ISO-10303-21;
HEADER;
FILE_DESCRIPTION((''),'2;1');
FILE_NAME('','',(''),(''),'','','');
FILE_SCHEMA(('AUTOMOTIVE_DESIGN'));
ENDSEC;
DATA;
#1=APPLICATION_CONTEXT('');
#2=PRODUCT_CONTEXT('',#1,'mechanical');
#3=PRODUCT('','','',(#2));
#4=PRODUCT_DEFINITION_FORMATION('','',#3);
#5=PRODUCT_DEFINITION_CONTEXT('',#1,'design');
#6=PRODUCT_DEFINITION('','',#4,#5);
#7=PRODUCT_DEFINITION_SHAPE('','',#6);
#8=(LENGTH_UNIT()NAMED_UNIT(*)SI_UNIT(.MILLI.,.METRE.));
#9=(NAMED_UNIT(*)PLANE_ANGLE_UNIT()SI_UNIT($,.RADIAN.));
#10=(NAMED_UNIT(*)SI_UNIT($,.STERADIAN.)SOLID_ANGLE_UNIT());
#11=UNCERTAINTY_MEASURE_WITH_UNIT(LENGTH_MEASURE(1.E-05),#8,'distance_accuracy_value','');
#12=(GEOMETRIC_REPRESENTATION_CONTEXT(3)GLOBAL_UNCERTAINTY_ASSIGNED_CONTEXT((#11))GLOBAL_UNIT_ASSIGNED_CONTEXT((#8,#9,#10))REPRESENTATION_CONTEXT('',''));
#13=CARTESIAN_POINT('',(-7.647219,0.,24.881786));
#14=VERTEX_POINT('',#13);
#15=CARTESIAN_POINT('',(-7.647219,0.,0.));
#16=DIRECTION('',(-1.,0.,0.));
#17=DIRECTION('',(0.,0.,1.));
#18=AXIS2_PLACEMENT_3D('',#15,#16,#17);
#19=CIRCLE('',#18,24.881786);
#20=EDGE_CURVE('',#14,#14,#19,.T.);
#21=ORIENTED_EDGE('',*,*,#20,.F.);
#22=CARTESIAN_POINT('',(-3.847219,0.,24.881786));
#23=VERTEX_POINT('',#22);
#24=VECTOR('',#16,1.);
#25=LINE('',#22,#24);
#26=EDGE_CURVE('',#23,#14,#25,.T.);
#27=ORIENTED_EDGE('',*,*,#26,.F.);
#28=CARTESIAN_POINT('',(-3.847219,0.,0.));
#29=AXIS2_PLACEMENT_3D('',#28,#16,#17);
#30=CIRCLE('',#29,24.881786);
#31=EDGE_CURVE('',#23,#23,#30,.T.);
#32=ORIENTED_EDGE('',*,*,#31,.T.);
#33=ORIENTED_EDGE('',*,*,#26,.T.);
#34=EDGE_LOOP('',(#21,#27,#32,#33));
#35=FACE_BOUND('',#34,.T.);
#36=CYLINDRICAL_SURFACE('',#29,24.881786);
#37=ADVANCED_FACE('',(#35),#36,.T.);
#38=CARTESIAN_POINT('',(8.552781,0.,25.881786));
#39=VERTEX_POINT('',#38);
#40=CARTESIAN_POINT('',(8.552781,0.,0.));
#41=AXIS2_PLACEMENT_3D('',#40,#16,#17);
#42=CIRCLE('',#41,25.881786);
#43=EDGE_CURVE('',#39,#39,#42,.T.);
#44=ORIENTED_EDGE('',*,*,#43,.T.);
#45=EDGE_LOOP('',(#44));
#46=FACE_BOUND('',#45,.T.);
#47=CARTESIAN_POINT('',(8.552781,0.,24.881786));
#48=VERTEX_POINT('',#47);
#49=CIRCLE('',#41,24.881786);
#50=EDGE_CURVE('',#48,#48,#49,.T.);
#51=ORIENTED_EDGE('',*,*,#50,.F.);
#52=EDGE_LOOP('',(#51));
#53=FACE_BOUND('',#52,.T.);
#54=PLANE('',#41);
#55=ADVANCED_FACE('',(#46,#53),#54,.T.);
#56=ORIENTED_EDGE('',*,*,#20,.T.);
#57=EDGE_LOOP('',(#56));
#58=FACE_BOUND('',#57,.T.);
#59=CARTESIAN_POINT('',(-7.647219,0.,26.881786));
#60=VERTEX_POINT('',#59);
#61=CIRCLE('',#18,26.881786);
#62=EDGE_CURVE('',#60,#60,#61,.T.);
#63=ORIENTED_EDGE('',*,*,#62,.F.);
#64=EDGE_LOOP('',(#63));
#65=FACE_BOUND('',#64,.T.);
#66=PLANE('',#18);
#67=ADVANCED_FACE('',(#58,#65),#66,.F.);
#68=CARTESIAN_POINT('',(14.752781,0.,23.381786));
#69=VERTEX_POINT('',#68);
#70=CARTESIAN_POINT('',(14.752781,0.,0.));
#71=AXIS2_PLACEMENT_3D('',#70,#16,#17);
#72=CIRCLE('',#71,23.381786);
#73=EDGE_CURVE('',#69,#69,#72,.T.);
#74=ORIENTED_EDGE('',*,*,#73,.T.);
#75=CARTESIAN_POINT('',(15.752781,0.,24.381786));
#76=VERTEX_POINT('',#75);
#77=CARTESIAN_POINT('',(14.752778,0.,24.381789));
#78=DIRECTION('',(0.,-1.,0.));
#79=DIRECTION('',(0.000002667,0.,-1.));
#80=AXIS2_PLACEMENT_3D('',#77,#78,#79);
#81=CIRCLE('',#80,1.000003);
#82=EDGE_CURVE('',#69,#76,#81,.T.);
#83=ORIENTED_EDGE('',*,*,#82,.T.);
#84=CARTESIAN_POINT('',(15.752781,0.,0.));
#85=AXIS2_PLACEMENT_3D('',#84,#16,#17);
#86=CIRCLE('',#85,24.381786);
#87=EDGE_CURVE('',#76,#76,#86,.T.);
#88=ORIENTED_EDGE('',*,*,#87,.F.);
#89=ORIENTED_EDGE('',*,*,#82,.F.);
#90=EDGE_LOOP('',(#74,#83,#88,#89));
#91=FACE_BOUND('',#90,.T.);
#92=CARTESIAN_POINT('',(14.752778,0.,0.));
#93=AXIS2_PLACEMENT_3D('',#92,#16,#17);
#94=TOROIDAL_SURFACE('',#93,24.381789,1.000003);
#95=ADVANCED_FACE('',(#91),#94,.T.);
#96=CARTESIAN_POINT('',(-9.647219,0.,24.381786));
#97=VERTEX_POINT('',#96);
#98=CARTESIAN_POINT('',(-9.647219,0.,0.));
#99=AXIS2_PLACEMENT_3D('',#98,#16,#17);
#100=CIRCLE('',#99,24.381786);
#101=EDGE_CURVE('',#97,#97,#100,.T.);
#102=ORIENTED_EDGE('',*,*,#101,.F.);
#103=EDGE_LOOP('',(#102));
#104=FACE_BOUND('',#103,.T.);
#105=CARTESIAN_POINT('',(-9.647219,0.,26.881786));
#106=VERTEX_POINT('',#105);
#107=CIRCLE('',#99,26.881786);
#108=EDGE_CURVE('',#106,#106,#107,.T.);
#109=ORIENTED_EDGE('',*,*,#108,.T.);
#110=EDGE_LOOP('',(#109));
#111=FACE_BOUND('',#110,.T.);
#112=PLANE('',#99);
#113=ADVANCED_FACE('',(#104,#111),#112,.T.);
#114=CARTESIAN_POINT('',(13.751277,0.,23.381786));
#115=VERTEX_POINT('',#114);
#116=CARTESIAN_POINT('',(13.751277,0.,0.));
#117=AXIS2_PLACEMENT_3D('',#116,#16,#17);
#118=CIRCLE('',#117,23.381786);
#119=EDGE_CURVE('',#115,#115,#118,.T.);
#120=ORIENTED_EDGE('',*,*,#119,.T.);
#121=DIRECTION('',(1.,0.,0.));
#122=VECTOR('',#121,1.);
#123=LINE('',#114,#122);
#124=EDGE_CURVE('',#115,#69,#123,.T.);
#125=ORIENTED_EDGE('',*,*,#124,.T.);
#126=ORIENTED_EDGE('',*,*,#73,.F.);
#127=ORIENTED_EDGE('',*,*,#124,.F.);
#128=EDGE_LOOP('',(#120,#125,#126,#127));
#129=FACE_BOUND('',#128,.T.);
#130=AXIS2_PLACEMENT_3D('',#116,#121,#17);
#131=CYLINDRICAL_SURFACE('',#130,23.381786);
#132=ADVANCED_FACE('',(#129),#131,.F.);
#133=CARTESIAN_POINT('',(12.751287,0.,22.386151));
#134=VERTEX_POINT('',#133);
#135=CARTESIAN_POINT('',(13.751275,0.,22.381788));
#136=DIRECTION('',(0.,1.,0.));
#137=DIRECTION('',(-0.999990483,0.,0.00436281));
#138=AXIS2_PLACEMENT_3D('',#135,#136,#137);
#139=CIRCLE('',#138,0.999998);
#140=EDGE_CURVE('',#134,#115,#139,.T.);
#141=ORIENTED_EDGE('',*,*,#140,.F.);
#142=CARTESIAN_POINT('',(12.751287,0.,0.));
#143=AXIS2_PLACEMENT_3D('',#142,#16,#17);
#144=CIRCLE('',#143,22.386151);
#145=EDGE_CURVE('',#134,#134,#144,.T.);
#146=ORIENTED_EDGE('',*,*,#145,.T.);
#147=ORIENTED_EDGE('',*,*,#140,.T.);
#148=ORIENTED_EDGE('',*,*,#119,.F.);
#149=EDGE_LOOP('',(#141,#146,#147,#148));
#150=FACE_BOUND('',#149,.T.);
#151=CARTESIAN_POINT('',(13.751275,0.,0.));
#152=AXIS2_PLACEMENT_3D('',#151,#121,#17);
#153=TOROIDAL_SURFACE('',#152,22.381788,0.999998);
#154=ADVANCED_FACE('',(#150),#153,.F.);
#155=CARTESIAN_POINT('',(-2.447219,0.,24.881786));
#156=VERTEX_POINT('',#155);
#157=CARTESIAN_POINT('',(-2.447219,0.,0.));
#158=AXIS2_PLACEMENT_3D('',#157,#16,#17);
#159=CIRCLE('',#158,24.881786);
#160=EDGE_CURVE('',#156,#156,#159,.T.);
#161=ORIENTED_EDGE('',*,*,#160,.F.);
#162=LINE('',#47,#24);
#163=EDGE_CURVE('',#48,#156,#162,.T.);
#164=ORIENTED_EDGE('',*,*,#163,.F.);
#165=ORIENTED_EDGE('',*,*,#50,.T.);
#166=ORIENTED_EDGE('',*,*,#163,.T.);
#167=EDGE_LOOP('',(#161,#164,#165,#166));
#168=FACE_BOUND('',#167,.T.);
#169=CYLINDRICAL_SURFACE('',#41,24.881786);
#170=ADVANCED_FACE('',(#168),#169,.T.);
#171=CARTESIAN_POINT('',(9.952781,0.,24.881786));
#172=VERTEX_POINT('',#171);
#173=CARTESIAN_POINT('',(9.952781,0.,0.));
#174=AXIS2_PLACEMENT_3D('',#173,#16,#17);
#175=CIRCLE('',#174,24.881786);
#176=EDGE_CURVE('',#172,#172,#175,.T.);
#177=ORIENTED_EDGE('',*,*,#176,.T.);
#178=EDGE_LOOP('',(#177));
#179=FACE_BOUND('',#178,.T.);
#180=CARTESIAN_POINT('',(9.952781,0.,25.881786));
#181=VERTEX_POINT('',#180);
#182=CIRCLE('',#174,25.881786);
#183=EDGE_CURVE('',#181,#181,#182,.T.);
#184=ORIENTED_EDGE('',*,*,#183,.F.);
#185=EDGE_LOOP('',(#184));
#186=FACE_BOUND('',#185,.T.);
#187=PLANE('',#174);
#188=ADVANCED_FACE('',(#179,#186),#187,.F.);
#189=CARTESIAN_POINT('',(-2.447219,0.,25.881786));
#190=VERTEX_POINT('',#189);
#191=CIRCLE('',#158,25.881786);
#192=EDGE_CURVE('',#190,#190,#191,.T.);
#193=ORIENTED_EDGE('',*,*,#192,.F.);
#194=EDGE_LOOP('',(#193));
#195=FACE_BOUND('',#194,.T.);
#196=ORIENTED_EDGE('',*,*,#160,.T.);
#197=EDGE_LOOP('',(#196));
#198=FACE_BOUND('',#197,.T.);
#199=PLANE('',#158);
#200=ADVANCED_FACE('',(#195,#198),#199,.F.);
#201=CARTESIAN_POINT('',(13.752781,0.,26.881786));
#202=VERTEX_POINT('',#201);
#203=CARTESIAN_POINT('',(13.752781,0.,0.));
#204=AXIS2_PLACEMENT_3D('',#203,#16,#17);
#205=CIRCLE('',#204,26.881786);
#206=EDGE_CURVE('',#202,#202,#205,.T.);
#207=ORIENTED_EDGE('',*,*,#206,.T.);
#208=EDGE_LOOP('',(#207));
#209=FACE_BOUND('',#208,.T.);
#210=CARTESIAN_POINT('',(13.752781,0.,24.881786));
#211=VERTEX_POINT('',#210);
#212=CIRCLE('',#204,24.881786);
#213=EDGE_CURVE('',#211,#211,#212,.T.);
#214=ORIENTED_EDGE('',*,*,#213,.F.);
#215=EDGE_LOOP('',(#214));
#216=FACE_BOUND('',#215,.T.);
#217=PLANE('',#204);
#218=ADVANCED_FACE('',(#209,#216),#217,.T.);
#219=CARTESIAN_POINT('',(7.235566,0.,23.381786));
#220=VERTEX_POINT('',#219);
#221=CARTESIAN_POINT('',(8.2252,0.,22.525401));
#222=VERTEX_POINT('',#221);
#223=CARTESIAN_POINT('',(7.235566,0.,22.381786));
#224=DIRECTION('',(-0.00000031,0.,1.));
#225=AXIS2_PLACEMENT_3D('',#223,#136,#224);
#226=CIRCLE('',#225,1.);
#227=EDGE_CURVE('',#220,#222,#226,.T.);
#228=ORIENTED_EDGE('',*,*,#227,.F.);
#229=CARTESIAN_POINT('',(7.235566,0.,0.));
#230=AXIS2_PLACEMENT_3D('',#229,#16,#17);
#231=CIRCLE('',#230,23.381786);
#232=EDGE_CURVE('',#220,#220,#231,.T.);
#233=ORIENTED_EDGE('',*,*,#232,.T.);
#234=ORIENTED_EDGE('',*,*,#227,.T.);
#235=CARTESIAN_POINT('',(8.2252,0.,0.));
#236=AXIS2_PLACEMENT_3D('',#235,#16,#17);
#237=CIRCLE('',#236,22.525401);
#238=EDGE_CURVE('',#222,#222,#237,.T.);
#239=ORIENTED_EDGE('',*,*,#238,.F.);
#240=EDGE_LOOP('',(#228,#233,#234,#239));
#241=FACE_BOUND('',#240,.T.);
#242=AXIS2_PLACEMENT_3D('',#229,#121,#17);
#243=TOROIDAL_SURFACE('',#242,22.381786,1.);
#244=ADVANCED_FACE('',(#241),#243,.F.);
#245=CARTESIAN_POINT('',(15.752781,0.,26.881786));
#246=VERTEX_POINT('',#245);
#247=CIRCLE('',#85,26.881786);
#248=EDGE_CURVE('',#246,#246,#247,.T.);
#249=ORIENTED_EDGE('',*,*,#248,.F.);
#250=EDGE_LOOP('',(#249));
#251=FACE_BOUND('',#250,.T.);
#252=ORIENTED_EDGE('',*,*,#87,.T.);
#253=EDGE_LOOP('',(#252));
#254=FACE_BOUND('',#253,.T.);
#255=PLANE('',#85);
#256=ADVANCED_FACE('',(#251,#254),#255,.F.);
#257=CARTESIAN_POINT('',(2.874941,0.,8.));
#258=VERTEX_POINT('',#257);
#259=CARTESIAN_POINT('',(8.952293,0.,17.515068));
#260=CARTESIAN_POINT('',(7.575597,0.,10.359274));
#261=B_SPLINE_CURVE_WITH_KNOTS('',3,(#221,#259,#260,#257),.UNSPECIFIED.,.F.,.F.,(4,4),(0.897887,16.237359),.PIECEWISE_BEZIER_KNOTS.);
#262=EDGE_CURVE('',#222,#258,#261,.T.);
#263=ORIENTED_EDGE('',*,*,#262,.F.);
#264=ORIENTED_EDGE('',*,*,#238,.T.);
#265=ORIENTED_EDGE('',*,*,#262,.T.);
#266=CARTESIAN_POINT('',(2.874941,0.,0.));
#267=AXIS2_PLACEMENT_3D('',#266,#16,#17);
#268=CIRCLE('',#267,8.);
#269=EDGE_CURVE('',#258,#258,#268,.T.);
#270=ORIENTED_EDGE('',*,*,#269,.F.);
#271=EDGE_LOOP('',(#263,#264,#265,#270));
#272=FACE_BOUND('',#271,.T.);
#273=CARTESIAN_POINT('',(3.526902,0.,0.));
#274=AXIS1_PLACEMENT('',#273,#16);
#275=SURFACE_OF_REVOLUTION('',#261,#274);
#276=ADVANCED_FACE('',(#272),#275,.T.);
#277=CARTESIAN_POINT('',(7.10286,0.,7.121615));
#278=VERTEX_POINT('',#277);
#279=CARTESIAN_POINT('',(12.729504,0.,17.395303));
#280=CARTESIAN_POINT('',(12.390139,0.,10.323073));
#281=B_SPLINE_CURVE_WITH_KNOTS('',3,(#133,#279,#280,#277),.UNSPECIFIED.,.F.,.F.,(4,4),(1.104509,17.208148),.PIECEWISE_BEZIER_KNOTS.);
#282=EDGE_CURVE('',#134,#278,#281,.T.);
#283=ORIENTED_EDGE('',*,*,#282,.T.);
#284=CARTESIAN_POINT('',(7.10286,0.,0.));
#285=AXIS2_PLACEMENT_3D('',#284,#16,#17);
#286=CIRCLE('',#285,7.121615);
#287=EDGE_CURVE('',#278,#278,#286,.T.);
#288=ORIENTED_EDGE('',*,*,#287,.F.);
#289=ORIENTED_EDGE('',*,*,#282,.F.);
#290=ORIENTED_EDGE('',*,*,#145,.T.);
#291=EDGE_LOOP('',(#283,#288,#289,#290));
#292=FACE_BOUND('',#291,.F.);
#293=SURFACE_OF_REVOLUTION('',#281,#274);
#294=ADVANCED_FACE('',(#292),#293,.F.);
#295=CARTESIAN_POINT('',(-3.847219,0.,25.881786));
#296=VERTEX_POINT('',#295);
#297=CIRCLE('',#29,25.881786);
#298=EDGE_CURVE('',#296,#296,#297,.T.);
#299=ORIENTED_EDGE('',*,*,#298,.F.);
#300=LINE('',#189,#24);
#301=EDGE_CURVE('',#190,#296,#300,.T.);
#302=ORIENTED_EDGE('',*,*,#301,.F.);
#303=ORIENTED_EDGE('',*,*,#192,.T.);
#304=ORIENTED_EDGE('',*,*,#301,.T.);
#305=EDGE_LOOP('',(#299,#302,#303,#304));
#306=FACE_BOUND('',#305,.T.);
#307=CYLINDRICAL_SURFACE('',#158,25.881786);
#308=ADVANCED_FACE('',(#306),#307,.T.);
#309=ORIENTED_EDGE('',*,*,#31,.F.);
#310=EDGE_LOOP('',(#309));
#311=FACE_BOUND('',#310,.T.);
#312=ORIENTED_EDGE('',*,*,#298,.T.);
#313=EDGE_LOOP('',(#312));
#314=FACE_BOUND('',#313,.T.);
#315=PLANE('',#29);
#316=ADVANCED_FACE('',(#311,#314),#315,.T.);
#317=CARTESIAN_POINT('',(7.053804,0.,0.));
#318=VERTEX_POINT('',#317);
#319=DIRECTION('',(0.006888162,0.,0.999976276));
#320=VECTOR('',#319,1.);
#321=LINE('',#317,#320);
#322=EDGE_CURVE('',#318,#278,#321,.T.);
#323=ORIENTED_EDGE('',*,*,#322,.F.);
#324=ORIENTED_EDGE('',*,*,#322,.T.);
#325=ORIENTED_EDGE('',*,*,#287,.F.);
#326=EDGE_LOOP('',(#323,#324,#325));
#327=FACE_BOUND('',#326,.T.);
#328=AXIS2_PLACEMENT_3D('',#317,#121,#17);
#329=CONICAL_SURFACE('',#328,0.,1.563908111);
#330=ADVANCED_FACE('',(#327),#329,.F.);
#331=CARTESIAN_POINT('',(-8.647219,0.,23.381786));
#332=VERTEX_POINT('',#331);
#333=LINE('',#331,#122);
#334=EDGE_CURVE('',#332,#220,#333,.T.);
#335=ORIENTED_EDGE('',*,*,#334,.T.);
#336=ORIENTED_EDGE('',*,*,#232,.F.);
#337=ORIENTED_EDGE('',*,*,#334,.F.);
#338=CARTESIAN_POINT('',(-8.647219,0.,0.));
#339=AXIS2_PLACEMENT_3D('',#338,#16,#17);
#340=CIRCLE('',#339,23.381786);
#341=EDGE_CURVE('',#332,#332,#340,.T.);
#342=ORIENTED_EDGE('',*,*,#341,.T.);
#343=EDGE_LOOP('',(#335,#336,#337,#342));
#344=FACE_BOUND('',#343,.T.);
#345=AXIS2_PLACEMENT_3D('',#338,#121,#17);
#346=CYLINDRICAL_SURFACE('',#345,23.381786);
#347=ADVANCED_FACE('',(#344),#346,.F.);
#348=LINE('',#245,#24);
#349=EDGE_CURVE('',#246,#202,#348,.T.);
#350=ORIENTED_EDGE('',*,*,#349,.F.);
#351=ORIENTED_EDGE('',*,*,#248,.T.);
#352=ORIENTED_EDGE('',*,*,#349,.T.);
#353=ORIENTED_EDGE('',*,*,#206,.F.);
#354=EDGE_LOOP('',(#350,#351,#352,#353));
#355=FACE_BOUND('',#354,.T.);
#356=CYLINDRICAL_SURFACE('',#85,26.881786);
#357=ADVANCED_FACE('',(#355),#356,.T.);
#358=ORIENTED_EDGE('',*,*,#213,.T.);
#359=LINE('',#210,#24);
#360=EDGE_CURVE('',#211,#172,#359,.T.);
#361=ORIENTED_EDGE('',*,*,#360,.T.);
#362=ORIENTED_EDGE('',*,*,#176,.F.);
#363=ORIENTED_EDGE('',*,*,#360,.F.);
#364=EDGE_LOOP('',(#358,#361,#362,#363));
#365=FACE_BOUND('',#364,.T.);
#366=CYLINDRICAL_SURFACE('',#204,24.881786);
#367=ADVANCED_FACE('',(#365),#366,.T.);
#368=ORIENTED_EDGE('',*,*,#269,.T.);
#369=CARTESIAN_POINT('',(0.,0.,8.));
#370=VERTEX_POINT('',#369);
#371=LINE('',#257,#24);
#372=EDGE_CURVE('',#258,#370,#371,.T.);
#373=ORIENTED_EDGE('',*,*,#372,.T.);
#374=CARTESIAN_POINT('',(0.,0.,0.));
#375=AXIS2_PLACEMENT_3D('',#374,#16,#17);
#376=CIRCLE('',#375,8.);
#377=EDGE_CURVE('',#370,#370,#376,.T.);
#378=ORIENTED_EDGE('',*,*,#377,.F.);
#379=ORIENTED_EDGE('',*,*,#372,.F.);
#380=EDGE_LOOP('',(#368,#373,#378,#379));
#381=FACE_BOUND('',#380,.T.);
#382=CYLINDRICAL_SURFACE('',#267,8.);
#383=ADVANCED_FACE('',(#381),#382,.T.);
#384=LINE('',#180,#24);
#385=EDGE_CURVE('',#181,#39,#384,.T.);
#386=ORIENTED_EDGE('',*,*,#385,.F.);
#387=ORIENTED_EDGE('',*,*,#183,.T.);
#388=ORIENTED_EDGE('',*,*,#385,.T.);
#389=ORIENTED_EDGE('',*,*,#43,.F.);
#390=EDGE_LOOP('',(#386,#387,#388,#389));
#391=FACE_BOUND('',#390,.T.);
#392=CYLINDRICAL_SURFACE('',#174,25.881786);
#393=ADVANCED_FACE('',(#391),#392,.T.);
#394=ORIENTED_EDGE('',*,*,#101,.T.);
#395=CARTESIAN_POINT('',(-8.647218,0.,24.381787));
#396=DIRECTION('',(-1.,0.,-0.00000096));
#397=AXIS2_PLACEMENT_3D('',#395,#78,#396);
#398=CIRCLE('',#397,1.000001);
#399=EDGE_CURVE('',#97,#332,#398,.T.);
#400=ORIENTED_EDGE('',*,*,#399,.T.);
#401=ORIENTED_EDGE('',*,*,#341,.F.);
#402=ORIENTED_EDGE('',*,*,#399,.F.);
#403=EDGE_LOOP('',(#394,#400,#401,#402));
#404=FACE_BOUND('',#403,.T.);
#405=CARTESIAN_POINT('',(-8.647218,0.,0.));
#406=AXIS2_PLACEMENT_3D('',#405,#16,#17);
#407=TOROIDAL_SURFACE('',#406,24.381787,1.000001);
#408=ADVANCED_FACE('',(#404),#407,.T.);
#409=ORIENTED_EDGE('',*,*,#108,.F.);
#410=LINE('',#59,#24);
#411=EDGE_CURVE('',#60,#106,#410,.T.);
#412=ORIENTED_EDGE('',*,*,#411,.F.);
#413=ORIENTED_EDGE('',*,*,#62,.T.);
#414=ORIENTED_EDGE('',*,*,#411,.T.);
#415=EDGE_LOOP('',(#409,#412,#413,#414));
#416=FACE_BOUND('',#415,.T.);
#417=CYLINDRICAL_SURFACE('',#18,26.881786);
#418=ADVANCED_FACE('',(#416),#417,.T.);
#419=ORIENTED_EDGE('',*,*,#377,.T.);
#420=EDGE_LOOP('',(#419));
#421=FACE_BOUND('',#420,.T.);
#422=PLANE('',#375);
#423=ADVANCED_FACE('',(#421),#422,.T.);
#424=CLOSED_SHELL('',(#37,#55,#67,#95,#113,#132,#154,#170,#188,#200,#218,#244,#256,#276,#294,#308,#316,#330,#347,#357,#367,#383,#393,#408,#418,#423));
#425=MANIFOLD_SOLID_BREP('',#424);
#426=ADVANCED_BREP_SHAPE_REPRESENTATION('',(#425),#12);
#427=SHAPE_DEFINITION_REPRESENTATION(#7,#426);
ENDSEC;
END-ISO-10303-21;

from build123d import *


with BuildPart() as f1:
    # F0 (on Front) → F1 (revolve)
    with BuildSketch(Plane.XZ):
        with BuildLine():
            Line((0, 8), (0, 0))
            Line((0, 0), (7.053804, 0))
            Line((7.053804, 0), (7.10286, 7.121615))
            add(Edge.make_bspline(
                [(12.751287, 22.386151), (12.729504, 17.395303), (12.390139, 10.323073), (7.10286, 7.121615)],
                knots=[1.104509, 1.104509, 1.104509, 1.104509, 17.208148, 17.208148, 17.208148, 17.208148], degree=3))
            ThreePointArc((12.751287, 22.386151), (13.045715, 23.090435), (13.751277, 23.381786))
            Line((13.751277, 23.381786), (14.752781, 23.381786))
            ThreePointArc((14.752781, 23.381786), (15.459887, 23.67468), (15.752781, 24.381786))
            Line((15.752781, 24.381786), (15.752781, 26.881786))
            Line((15.752781, 26.881786), (13.752781, 26.881786))
            Line((13.752781, 26.881786), (13.752781, 24.881786))
            Line((13.752781, 24.881786), (9.952781, 24.881786))
            Line((9.952781, 24.881786), (9.952781, 25.881786))
            Line((9.952781, 25.881786), (8.552781, 25.881786))
            Line((8.552781, 25.881786), (8.552781, 24.881786))
            Line((8.552781, 24.881786), (-2.447219, 24.881786))
            Line((-2.447219, 24.881786), (-2.447219, 25.881786))
            Line((-2.447219, 25.881786), (-3.847219, 25.881786))
            Line((-3.847219, 25.881786), (-3.847219, 24.881786))
            Line((-3.847219, 24.881786), (-7.647219, 24.881786))
            Line((-7.647219, 24.881786), (-7.647219, 26.881786))
            Line((-7.647219, 26.881786), (-9.647219, 26.881786))
            Line((-9.647219, 26.881786), (-9.647219, 24.381786))
            ThreePointArc((-9.647219, 24.381786), (-9.354326, 23.67468), (-8.647219, 23.381786))
            Line((-8.647219, 23.381786), (7.235566, 23.381786))
            ThreePointArc((7.235566, 23.381786), (7.88993, 23.137966), (8.2252, 22.525401))
            add(Edge.make_bspline(
                [(8.2252, 22.525401), (8.952293, 17.515068), (7.575597, 10.359274), (2.874941, 8)],
                knots=[0.897887, 0.897887, 0.897887, 0.897887, 16.237359, 16.237359, 16.237359, 16.237359], degree=3))
            Line((2.874941, 8), (0, 8))
        make_face()
    revolve(axis=Axis((3.526902, 0, 0), (-1, 0, 0)))


solid = f1.part
